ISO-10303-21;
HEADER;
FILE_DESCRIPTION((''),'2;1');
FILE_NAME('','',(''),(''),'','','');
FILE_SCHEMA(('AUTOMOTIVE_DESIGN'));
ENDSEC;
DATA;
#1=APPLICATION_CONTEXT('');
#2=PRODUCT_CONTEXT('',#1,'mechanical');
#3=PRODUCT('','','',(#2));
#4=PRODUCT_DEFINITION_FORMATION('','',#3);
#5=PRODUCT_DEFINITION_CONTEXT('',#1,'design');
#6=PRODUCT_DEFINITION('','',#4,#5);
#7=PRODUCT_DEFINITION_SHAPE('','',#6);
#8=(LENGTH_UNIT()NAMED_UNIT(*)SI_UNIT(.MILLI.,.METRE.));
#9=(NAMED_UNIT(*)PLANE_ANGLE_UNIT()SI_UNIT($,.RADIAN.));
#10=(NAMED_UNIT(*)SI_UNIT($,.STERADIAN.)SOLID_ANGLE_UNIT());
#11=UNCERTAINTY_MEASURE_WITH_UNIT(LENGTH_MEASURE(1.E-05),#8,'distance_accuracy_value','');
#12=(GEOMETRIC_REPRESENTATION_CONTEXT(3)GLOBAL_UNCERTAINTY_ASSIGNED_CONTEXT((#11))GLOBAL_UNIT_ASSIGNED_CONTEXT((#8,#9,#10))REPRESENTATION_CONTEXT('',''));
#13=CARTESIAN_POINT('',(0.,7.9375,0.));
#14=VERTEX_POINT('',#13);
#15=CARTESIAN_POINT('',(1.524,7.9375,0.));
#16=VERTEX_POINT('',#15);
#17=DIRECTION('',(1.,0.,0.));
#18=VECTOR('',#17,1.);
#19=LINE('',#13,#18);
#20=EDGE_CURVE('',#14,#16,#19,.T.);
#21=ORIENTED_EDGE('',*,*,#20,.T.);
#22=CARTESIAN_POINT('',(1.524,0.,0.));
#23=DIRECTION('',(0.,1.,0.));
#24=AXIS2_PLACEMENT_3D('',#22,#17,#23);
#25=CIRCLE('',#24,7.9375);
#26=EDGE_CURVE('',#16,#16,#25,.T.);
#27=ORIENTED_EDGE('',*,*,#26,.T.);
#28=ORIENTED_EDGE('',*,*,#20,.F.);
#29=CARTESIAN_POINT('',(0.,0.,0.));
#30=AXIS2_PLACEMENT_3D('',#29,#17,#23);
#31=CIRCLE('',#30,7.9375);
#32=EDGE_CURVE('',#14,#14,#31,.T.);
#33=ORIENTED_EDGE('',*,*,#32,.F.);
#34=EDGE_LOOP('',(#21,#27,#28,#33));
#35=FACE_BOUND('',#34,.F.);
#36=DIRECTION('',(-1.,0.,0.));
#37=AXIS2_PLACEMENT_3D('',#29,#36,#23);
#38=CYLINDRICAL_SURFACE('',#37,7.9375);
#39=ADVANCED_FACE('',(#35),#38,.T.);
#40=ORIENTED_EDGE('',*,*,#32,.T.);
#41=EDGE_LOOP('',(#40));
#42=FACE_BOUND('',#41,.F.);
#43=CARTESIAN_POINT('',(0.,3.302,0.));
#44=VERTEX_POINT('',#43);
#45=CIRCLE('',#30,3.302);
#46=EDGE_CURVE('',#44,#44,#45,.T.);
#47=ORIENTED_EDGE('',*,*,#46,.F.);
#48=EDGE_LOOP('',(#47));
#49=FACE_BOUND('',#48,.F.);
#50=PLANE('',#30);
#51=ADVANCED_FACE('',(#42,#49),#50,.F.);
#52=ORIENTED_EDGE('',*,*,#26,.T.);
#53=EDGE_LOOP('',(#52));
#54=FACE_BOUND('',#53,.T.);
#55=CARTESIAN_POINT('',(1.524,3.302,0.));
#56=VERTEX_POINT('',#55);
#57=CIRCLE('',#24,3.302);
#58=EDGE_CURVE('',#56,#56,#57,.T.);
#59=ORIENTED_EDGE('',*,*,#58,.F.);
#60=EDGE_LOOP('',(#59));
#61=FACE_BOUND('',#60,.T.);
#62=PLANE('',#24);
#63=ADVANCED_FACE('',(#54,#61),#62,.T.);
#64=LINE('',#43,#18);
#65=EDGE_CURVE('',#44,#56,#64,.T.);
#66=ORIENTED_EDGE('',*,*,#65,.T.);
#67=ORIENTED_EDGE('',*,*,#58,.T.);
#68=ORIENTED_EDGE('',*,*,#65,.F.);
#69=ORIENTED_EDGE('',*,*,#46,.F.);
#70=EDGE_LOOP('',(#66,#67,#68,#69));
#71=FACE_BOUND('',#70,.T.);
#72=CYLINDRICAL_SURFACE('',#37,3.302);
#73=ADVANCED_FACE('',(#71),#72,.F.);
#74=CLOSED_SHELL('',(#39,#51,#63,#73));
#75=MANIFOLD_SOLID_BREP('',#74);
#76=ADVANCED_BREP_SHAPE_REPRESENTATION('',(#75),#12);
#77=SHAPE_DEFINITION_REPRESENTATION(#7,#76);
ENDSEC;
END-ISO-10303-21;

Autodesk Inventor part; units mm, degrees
ref_plane "YZ Plane" through (0, 0, 0) normal (1, 0, 0) x (0, 1, 0)
ref_plane "XZ Plane" through (0, 0, 0) normal (0, 1, 0) x (-1, 0, 0)
ref_plane "XY Plane" through (0, 0, 0) normal (0, 0, 1) x (1, 0, 0)
sketch "Sketch1" plane through (0, 0, 0) normal (1, 0, 0) x (0, 1, 0)
  circle A0 centre (0, 0) radius 3.302
  circle A1 centre (0, 0) radius 7.9375
  dimension "d0" = 6.604
  dimension "d1" = 15.875
extrude "Extrusion1" add sketch "Sketch1" along normal blind 1.524
properties part number "1-4 washer"
